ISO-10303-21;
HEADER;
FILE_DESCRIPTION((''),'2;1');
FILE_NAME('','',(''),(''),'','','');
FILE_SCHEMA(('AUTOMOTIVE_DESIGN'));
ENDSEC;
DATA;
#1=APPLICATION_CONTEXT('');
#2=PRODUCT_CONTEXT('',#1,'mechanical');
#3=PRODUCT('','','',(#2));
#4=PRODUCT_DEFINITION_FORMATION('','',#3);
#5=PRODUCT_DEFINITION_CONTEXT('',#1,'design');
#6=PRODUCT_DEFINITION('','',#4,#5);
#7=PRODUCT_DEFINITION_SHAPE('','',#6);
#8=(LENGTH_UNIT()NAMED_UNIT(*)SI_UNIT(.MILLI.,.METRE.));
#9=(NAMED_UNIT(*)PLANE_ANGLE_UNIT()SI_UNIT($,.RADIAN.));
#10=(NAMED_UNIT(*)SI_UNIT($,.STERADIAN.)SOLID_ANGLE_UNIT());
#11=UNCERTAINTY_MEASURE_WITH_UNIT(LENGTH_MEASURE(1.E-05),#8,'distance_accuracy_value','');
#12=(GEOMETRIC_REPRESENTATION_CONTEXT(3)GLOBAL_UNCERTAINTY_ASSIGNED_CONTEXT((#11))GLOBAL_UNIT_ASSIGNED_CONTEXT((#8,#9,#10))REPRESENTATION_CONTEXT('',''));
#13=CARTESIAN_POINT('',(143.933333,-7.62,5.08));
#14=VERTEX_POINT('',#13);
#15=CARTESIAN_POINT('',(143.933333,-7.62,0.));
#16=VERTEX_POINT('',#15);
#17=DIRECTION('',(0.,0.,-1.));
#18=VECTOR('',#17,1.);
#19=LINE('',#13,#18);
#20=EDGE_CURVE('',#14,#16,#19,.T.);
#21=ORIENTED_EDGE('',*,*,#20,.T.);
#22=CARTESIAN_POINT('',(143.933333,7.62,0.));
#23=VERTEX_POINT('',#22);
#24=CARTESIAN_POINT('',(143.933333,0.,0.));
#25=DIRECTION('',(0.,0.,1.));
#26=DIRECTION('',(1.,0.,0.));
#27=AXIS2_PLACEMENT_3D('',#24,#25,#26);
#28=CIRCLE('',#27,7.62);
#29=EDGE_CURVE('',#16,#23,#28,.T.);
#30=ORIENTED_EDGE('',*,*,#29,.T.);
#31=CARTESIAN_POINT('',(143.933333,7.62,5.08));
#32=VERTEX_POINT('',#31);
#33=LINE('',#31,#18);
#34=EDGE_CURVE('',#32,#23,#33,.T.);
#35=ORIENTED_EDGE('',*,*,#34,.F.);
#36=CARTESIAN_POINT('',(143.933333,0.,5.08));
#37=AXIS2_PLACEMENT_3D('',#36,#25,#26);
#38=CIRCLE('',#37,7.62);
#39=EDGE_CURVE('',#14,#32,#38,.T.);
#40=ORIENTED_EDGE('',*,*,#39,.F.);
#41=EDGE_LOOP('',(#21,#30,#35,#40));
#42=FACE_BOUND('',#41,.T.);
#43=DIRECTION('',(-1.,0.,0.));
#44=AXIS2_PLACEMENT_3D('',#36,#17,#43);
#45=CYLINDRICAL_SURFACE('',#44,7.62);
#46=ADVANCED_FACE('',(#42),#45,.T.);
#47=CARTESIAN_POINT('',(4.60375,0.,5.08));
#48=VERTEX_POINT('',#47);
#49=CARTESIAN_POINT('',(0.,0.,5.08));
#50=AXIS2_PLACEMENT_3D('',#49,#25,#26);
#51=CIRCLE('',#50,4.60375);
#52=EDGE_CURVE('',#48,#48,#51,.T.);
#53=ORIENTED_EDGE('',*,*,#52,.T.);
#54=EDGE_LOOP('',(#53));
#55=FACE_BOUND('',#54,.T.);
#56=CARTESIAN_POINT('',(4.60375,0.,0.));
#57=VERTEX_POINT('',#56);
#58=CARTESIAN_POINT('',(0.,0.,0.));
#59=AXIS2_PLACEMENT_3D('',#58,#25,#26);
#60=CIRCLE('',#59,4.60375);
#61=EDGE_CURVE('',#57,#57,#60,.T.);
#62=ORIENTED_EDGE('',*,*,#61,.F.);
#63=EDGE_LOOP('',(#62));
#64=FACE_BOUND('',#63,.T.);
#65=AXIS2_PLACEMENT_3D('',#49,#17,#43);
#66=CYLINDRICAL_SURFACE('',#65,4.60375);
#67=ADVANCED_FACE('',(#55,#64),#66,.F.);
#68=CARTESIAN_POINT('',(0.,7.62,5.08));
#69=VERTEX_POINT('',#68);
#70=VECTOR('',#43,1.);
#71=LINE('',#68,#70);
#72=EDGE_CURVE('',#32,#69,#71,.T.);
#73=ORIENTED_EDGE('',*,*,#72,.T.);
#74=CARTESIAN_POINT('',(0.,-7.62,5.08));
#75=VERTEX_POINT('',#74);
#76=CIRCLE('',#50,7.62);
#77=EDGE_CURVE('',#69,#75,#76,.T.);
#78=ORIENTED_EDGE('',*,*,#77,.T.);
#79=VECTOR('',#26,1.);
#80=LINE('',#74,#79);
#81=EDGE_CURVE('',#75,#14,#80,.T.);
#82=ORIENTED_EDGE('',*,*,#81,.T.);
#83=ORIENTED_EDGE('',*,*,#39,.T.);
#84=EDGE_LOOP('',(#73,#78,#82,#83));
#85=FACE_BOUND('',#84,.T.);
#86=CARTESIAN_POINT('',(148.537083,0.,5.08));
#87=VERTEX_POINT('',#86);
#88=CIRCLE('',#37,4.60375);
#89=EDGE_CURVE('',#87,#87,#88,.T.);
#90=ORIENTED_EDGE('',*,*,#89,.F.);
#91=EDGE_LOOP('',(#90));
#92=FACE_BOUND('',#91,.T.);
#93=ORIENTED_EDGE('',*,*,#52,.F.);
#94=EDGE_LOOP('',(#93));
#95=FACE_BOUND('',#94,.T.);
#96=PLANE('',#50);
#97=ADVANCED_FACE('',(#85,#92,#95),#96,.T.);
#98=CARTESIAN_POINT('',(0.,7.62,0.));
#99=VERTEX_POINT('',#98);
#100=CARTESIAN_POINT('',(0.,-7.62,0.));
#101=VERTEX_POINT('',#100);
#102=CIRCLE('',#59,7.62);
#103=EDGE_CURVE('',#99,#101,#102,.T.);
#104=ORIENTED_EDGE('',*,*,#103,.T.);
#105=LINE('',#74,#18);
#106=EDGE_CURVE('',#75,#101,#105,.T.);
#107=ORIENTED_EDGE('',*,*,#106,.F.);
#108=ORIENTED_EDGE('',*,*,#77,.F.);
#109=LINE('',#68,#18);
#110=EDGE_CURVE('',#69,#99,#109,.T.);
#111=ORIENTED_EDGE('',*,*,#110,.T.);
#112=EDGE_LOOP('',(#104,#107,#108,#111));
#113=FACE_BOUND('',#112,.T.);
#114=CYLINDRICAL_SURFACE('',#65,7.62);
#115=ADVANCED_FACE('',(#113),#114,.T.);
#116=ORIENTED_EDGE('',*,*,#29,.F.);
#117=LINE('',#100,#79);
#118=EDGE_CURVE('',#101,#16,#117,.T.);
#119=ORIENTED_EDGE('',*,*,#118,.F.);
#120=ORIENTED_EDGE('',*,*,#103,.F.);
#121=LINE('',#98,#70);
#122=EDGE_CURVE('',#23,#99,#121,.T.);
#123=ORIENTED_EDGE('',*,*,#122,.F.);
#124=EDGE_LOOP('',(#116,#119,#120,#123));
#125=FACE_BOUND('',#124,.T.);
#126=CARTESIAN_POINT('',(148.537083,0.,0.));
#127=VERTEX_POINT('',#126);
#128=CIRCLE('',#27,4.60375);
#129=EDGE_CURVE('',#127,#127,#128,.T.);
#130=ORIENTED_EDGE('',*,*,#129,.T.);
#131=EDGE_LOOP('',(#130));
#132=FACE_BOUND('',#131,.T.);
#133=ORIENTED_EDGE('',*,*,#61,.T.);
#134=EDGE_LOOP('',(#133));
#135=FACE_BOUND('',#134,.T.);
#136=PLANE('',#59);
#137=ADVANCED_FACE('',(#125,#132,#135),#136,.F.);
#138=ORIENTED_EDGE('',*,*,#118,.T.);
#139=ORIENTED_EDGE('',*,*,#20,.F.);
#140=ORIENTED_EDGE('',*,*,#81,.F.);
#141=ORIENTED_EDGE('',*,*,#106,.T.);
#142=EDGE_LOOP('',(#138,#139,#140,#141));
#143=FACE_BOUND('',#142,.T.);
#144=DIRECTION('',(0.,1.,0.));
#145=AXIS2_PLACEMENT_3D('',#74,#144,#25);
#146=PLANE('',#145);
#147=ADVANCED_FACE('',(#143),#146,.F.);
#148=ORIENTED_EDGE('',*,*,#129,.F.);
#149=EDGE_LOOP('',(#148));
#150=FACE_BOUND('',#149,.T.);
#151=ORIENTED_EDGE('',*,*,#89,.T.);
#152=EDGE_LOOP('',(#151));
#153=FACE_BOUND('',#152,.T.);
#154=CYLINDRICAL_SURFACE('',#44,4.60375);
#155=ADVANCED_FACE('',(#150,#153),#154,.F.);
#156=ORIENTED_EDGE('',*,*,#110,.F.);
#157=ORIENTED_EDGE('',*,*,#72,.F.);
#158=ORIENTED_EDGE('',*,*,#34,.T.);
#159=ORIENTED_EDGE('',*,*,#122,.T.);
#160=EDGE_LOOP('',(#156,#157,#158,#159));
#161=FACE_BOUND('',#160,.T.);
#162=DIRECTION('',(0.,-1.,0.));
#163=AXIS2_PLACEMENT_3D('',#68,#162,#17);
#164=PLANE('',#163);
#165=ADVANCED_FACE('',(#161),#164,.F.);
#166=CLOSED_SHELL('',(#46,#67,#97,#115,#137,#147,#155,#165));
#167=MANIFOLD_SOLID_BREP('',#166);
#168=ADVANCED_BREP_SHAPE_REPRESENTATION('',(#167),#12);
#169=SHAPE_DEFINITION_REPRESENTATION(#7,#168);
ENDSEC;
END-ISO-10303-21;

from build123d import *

# Parameters (mm, degrees)
SKETCH1_R           = 4.60375
BOSS_EXTRUDE1_DEPTH = 5.08


with BuildPart() as part:
    # Sketch1 → Boss-Extrude1 (new body)
    with BuildSketch(Plane.XY):
        with BuildLine():
            Line((0, 7.62), (143.933333333, 7.62))
            ThreePointArc((143.933333333, 7.62), (151.553333333, 0), (143.933333333, -7.62))
            Line((143.933333333, -7.62), (0, -7.62))
            ThreePointArc((0, -7.62), (-7.62, 0), (0, 7.62))
        make_face()
        Circle(SKETCH1_R, mode=Mode.SUBTRACT)
        with Locations((143.933333333, 0)):
            Circle(SKETCH1_R, mode=Mode.SUBTRACT)
    extrude(amount=BOSS_EXTRUDE1_DEPTH)


solid = part.part
